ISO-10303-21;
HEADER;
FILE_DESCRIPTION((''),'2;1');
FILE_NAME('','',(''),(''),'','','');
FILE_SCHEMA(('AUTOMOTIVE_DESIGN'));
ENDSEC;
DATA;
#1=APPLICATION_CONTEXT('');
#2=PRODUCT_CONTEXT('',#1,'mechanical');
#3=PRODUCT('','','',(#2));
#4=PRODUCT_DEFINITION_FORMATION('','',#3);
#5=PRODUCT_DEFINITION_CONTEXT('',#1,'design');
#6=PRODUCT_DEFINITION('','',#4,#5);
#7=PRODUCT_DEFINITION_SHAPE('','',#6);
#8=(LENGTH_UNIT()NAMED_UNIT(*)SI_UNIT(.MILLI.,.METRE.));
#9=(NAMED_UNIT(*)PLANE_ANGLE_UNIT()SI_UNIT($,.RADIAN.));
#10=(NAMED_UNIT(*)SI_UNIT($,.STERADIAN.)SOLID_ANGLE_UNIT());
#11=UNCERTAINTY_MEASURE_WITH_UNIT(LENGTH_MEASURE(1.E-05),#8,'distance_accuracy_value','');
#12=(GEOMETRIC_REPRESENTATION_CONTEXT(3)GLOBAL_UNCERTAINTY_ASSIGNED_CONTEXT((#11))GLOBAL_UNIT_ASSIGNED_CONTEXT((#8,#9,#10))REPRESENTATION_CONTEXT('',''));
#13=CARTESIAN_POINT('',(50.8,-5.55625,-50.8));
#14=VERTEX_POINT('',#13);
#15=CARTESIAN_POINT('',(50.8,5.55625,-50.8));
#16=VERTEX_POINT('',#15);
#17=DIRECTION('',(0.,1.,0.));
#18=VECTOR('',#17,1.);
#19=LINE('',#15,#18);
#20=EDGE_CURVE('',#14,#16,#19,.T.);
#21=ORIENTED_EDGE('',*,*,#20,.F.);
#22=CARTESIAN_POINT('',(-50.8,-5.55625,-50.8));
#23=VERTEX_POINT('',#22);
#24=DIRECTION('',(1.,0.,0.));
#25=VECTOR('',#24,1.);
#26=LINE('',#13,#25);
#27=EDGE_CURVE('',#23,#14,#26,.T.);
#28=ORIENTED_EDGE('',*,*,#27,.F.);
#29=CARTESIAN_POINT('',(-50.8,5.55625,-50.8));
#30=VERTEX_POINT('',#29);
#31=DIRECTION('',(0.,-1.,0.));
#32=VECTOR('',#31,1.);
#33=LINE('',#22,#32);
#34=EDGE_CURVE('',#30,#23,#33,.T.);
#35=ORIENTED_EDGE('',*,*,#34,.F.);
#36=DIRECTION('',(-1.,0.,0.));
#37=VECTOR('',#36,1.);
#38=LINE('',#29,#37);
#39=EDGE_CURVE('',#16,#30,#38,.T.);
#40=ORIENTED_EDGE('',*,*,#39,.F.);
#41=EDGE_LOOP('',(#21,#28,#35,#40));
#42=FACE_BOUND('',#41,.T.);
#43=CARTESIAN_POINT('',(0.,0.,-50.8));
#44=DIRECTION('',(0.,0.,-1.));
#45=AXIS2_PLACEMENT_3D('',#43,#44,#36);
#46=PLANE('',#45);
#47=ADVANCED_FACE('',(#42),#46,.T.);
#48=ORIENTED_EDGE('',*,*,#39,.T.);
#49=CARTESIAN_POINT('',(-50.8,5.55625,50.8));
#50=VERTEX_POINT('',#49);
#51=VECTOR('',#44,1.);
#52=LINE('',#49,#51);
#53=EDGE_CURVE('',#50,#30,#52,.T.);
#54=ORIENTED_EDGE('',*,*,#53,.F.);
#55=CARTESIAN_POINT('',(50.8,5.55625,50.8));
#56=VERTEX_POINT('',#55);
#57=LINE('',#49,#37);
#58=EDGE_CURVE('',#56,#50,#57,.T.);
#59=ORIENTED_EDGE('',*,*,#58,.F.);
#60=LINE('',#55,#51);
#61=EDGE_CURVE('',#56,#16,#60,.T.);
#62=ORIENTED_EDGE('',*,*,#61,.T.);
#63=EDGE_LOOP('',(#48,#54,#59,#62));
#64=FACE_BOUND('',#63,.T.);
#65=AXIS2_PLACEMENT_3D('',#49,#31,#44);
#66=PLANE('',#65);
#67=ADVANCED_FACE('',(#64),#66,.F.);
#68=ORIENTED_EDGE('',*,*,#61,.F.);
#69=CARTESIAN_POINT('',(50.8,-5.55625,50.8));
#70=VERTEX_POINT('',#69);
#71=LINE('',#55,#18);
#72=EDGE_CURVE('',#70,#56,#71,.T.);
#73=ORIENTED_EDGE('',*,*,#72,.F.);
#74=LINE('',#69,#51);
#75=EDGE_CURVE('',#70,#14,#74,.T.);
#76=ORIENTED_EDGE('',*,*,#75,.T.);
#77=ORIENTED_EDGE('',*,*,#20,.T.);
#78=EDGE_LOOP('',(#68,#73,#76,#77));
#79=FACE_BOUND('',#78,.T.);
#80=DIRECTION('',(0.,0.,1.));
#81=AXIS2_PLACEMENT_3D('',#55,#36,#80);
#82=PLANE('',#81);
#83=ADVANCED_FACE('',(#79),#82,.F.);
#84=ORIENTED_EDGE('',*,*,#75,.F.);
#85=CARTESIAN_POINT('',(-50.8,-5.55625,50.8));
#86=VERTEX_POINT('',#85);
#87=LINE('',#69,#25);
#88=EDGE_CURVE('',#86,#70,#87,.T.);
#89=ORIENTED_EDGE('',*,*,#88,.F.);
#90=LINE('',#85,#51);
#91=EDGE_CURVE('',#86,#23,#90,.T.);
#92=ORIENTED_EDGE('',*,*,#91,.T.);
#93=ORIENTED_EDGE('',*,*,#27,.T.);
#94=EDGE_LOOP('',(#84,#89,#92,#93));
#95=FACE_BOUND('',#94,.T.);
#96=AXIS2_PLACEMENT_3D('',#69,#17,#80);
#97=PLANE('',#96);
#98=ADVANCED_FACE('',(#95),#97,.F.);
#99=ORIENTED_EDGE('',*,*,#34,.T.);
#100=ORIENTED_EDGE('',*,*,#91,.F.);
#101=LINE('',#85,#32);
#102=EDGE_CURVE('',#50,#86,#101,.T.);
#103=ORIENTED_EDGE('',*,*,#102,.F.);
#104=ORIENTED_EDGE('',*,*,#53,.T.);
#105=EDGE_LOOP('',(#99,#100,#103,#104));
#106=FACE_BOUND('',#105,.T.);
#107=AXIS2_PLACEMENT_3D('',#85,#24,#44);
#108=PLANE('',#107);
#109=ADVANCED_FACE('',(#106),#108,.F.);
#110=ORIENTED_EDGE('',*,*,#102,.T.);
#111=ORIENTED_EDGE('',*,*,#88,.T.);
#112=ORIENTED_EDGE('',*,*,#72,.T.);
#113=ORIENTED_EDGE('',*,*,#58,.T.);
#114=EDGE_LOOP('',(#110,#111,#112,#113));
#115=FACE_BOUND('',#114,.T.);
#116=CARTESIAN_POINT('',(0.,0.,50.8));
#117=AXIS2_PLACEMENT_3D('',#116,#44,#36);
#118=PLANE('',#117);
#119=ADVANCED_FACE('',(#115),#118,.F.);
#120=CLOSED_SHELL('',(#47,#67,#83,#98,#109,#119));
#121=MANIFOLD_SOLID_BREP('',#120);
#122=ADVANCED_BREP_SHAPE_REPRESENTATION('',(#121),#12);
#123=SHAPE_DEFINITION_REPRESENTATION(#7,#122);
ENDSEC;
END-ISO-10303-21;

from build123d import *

# Parameters (mm, degrees)
SKETCH3_W           = 101.6
SKETCH3_H           = 11.1125
BOSS_EXTRUDE1_DEPTH = 50.8


with BuildPart() as part:
    # Sketch3 → Boss-Extrude1 (new, symmetric)
    with BuildSketch(Plane.XY):
        Rectangle(SKETCH3_W, SKETCH3_H)
    extrude(amount=BOSS_EXTRUDE1_DEPTH, both=True)


solid = part.part
